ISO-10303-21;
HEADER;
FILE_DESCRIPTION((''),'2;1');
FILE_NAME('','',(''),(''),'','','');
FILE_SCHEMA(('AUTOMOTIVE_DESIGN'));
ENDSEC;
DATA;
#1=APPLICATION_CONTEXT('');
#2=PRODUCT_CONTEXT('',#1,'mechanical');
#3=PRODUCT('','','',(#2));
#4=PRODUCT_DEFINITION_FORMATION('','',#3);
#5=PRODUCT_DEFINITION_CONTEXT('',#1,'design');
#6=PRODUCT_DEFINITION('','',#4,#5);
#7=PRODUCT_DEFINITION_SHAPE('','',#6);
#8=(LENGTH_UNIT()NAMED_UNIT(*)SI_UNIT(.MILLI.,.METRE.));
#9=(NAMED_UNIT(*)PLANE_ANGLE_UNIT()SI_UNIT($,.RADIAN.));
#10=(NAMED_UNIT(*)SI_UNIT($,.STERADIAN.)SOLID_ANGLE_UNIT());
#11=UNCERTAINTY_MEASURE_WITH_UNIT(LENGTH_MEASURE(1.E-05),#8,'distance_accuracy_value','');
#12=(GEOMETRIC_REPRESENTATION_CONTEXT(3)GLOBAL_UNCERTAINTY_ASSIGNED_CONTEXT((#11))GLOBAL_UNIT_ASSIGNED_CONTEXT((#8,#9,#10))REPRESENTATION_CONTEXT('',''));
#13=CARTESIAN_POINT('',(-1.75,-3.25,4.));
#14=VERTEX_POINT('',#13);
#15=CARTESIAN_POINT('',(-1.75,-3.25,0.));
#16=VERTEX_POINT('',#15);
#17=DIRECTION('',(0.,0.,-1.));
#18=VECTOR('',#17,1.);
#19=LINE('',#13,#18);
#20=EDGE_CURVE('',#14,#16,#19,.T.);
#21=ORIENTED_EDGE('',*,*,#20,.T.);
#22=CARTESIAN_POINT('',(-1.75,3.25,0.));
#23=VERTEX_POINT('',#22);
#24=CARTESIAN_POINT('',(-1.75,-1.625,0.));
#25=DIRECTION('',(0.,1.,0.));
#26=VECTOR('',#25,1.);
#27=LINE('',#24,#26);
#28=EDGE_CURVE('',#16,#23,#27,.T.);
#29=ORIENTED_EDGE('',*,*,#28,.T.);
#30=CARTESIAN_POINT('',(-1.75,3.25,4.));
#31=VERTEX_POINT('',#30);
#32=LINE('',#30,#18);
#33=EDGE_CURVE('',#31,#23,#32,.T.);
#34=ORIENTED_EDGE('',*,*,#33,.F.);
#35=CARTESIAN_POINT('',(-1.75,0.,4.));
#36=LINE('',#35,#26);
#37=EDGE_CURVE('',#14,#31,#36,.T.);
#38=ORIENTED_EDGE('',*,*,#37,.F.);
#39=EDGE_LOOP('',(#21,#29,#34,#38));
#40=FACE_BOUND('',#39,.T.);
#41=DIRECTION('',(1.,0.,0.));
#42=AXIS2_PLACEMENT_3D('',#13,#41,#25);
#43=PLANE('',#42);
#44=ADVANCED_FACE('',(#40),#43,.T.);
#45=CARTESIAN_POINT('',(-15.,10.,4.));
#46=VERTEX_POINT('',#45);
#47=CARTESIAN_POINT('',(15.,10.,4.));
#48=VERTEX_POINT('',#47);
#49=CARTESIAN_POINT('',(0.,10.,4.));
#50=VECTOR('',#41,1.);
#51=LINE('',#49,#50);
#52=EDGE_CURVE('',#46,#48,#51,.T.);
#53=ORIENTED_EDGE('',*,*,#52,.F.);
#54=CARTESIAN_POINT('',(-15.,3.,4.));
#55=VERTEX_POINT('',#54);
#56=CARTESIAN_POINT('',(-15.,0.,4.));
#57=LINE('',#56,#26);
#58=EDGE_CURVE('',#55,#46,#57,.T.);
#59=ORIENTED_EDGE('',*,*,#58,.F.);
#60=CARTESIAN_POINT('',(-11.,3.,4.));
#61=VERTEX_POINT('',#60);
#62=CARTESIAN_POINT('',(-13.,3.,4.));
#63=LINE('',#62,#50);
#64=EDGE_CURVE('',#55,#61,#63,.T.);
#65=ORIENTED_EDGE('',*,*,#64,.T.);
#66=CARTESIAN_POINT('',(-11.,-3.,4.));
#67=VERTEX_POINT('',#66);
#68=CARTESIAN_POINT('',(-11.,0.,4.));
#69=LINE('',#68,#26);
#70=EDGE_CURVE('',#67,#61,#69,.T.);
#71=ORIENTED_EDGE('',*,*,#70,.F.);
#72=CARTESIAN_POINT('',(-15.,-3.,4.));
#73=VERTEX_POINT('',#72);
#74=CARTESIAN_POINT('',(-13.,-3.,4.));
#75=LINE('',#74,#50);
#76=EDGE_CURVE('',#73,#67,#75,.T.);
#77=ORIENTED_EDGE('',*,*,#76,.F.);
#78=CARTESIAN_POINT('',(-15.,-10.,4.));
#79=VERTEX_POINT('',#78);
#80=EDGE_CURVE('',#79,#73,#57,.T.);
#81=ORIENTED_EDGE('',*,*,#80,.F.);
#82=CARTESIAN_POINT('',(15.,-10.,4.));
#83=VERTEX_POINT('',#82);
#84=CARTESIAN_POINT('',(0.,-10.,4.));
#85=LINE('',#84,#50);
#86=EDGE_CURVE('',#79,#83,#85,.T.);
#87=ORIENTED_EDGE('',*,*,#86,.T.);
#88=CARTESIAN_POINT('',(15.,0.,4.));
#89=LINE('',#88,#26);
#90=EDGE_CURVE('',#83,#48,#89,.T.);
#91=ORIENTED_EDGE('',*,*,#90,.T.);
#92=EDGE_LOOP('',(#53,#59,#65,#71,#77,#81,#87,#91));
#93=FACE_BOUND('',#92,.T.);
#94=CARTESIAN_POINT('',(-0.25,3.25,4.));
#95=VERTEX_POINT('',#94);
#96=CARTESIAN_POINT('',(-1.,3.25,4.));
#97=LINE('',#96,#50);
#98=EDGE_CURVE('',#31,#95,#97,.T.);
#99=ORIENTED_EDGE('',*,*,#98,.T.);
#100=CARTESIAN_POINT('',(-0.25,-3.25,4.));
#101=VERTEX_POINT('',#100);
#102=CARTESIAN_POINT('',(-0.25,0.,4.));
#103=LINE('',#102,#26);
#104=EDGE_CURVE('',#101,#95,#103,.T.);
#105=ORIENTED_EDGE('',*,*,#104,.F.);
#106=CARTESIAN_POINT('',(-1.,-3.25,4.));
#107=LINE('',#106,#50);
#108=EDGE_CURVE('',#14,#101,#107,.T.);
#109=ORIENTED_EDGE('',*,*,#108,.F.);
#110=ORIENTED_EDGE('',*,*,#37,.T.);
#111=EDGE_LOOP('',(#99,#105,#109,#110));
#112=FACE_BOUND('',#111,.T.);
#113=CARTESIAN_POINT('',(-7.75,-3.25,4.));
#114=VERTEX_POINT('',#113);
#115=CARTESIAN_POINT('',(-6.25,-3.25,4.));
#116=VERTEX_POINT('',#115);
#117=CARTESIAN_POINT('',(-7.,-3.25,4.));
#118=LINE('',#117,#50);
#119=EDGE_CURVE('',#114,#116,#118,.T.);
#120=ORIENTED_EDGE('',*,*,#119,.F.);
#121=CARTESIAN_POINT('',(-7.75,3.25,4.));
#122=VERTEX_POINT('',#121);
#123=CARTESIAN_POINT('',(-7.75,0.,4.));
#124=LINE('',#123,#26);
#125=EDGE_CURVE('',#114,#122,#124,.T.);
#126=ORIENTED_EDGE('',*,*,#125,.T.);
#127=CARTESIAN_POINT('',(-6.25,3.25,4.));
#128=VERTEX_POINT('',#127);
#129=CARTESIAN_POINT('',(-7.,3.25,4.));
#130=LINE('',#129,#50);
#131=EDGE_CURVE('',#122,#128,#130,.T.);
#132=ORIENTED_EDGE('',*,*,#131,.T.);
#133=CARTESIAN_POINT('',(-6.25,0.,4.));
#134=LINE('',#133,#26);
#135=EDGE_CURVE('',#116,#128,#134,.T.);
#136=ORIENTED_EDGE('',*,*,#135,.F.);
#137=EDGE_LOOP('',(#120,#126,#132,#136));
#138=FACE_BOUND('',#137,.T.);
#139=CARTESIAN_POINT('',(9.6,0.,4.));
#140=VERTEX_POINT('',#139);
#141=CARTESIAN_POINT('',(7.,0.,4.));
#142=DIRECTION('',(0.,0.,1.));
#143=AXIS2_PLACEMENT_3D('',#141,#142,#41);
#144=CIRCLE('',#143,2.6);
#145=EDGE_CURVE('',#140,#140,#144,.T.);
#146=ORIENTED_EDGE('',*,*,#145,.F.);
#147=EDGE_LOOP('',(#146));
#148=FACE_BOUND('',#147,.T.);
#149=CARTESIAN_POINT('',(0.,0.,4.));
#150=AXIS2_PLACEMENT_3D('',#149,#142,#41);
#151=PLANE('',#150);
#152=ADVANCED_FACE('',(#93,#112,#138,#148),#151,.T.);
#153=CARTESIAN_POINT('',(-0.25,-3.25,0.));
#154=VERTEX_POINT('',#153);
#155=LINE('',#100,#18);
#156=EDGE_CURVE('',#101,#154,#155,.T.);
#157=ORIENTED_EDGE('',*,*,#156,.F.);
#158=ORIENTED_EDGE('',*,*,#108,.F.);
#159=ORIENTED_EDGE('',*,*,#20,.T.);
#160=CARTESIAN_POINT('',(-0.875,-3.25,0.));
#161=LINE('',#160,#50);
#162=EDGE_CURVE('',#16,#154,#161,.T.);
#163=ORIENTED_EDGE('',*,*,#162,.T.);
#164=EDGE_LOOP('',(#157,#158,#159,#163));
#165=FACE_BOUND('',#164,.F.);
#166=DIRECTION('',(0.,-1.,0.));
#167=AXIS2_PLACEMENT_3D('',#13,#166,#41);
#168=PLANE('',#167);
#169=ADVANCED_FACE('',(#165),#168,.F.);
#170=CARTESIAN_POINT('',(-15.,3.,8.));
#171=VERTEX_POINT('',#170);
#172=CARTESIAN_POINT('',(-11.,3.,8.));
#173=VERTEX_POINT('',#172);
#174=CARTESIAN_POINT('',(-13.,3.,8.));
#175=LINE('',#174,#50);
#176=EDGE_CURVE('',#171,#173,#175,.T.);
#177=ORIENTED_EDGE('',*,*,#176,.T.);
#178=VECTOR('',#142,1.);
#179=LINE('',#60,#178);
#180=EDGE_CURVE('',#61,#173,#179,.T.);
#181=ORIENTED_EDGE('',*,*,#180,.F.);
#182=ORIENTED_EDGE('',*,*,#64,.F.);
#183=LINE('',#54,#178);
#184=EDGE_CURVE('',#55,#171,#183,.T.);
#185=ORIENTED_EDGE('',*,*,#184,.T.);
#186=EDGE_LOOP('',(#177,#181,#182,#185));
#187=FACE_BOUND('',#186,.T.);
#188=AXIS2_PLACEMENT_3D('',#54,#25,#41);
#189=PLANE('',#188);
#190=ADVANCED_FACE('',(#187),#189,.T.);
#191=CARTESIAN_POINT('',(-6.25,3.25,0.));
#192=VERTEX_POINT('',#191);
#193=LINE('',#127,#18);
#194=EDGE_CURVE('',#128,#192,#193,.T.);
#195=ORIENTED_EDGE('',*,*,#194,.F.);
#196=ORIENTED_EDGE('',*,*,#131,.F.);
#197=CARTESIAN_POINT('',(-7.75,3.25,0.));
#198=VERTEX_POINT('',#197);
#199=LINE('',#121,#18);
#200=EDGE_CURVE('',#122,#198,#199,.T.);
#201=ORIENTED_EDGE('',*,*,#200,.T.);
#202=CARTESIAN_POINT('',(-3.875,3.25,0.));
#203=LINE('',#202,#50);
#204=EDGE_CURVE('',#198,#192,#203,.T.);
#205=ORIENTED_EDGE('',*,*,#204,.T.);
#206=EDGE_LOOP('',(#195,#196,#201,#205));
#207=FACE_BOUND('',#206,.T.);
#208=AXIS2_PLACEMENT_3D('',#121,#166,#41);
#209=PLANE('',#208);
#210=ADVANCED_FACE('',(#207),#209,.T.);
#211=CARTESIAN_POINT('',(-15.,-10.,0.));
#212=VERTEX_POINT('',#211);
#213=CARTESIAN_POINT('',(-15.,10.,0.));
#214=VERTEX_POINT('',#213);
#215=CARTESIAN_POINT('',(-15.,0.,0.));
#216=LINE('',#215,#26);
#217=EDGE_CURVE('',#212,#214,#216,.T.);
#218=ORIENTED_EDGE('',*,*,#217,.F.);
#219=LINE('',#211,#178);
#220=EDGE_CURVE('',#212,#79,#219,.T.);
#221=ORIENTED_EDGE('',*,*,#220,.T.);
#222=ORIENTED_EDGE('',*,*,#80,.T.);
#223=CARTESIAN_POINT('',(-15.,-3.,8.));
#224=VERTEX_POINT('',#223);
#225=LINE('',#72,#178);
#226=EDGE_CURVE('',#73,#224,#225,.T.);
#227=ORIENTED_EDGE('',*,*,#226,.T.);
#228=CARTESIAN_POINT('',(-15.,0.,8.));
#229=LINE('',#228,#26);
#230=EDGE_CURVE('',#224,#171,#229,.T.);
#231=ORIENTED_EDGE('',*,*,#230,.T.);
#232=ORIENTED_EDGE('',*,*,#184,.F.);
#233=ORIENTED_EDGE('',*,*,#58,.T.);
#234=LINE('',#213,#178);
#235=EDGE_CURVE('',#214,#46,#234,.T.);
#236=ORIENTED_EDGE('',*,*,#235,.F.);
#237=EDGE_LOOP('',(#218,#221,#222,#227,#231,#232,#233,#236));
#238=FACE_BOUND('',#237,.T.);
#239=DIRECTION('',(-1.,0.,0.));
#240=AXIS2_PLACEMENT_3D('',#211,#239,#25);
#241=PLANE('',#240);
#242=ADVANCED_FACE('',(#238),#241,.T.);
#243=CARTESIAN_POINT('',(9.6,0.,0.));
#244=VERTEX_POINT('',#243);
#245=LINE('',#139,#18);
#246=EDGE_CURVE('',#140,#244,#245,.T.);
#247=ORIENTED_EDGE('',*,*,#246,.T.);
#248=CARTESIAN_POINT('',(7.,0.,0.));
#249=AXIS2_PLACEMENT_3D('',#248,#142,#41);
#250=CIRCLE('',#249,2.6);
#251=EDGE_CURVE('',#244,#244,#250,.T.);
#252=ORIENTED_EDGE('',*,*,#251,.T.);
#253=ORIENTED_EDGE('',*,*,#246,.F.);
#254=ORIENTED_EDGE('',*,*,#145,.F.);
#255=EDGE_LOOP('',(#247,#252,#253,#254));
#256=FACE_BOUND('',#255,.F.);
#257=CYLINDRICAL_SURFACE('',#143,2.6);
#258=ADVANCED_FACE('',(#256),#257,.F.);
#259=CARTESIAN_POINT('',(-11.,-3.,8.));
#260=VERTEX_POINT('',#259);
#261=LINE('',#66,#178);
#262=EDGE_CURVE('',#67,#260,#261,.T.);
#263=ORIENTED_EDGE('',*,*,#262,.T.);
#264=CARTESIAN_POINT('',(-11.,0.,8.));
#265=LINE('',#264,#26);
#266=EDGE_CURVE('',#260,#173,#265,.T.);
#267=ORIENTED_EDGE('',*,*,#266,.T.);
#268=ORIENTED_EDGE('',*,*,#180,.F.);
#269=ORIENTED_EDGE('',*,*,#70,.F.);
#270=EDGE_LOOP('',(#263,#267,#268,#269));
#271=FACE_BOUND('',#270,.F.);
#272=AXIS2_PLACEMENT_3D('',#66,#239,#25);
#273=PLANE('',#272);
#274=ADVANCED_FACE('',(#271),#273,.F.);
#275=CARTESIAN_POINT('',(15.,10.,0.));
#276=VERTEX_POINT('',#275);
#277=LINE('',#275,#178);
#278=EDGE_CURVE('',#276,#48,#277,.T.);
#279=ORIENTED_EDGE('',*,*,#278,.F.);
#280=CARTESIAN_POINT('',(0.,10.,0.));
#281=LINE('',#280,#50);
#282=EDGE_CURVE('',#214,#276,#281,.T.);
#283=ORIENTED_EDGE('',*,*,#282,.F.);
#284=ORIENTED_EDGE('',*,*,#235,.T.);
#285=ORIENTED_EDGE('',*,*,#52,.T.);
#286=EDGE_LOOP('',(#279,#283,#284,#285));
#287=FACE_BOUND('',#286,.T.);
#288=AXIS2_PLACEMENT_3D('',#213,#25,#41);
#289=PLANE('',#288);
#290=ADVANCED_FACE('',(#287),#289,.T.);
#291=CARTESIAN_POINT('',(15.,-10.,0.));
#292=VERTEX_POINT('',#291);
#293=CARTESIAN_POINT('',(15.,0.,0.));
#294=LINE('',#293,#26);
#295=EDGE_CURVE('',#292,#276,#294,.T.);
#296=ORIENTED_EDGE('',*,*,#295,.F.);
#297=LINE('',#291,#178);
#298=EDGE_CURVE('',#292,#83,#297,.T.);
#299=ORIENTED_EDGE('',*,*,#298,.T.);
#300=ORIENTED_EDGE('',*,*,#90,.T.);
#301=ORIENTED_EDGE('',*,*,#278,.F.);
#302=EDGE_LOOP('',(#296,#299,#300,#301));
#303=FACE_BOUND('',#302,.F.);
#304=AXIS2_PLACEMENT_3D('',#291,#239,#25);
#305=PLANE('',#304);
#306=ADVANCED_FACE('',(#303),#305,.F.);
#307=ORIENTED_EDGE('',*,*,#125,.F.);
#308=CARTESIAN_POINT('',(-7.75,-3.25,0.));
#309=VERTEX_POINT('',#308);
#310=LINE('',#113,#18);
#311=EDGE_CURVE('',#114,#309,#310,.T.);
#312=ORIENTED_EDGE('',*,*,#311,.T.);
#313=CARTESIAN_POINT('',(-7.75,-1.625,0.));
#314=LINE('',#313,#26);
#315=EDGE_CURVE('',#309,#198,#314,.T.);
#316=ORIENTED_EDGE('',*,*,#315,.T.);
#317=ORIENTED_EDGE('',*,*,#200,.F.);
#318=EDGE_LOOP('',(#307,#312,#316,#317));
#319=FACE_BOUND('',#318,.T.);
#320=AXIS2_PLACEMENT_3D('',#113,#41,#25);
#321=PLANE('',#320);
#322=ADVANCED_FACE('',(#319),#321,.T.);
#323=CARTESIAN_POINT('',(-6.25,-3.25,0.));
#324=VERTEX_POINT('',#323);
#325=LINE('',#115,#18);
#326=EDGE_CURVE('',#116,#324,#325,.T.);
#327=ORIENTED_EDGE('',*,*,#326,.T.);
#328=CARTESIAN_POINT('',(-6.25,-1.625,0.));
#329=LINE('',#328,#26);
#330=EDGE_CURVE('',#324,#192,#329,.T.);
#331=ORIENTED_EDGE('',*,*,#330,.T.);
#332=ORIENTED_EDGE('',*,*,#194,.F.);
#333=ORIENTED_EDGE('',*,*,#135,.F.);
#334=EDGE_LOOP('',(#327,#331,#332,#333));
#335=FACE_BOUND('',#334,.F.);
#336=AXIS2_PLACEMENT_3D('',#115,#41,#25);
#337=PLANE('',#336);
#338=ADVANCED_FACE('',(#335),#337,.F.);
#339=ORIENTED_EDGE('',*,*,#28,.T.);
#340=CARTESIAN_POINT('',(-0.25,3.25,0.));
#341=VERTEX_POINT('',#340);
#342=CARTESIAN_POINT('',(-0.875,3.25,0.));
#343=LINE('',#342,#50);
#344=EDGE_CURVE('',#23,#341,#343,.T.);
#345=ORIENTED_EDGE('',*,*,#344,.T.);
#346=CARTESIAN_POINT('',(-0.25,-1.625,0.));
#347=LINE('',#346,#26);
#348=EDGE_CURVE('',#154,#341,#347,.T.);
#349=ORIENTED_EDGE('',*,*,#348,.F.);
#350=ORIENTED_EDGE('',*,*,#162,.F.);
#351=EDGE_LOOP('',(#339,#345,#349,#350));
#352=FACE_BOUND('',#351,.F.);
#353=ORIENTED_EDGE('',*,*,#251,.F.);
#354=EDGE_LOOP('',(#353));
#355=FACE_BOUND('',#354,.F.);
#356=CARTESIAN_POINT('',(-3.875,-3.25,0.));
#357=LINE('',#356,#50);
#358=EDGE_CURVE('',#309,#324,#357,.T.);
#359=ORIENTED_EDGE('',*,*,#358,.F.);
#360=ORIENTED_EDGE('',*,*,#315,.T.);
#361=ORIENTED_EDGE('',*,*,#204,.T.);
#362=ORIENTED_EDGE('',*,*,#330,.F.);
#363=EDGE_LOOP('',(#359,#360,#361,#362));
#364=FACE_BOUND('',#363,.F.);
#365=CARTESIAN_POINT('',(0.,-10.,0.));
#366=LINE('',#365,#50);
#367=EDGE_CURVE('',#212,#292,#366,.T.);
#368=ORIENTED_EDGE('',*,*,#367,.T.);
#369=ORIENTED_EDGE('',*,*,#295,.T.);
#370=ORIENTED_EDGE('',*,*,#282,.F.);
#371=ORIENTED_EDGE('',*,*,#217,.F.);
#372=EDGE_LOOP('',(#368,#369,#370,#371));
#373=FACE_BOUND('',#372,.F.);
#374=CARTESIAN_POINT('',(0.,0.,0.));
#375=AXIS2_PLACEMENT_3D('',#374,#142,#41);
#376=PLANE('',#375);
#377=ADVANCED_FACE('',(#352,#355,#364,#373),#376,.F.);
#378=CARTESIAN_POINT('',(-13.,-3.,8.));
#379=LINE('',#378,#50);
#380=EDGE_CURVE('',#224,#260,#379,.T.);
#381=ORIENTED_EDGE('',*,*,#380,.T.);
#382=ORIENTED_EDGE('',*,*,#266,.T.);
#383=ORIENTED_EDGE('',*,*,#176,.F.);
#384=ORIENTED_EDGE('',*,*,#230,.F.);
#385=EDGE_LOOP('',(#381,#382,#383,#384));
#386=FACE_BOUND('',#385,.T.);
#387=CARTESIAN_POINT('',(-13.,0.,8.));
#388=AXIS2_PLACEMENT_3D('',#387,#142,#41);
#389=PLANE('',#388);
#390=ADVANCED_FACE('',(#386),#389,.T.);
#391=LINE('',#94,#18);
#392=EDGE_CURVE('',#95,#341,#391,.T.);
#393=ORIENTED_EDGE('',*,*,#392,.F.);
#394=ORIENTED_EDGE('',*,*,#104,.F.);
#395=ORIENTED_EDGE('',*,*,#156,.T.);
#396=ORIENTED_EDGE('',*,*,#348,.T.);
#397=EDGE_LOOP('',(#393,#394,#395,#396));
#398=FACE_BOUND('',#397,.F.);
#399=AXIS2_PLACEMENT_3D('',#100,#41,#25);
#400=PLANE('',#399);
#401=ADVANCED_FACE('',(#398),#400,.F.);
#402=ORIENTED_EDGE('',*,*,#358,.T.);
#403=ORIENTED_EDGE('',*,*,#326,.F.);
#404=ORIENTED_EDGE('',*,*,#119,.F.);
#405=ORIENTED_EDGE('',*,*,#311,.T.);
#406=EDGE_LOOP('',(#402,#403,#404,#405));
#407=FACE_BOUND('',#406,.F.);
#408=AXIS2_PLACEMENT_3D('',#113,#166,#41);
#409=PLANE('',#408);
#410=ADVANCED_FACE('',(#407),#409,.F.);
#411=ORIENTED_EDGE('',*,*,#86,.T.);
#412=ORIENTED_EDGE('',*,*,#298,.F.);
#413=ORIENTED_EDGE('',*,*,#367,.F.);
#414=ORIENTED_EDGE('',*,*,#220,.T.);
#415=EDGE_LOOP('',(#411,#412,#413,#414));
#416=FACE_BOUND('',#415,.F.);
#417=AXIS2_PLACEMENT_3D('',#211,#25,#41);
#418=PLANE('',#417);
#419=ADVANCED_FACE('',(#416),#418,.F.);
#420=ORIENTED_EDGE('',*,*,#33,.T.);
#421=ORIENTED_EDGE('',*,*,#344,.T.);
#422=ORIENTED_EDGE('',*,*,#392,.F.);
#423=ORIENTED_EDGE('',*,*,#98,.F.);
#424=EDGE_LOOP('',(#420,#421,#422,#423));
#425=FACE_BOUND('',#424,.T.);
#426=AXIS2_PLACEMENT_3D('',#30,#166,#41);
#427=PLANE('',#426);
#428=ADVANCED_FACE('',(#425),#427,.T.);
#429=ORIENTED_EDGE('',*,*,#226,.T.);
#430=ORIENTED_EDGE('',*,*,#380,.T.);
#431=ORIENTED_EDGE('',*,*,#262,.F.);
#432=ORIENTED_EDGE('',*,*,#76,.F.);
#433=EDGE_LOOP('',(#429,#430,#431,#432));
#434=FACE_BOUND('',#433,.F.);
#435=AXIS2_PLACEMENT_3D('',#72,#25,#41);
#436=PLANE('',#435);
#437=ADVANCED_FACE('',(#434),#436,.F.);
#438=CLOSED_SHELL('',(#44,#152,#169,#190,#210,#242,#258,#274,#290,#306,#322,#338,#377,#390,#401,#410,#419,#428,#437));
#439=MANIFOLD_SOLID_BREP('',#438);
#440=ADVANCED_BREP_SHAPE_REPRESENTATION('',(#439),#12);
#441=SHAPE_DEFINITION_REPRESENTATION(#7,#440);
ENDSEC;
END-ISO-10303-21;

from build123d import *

# Parameters (mm, degrees)
F0_W     = 30
F0_H     = 20
F1_DEPTH = 4
F2_R     = 2.6
F2_W     = 1.5
F2_H     = 6.5
F3_DEPTH = 4.001
F4_W     = 4
F4_H     = 6
F5_DEPTH = 4


with BuildPart() as f1:
    # F0 (on Top) → F1 (new body)
    with BuildSketch(Plane.XY):
        Rectangle(F0_W, F0_H)
    extrude(amount=F1_DEPTH)

    # F2 (on face) → F3 (cut, through all)
    with BuildSketch(Plane.XY.offset(4)):
        with Locations((7, 0)):
            Circle(F2_R)
        with Locations((-1, 0)):
            Rectangle(F2_W, F2_H)
        with Locations((-7, 0)):
            Rectangle(F2_W, F2_H)
    extrude(amount=-F3_DEPTH, mode=Mode.SUBTRACT)

    # F4 (on face) → F5 (join)
    with BuildSketch(Plane.XY.offset(4)):
        with Locations((-13, 0)):
            Rectangle(F4_W, F4_H)
    extrude(amount=F5_DEPTH)


solid = f1.part
